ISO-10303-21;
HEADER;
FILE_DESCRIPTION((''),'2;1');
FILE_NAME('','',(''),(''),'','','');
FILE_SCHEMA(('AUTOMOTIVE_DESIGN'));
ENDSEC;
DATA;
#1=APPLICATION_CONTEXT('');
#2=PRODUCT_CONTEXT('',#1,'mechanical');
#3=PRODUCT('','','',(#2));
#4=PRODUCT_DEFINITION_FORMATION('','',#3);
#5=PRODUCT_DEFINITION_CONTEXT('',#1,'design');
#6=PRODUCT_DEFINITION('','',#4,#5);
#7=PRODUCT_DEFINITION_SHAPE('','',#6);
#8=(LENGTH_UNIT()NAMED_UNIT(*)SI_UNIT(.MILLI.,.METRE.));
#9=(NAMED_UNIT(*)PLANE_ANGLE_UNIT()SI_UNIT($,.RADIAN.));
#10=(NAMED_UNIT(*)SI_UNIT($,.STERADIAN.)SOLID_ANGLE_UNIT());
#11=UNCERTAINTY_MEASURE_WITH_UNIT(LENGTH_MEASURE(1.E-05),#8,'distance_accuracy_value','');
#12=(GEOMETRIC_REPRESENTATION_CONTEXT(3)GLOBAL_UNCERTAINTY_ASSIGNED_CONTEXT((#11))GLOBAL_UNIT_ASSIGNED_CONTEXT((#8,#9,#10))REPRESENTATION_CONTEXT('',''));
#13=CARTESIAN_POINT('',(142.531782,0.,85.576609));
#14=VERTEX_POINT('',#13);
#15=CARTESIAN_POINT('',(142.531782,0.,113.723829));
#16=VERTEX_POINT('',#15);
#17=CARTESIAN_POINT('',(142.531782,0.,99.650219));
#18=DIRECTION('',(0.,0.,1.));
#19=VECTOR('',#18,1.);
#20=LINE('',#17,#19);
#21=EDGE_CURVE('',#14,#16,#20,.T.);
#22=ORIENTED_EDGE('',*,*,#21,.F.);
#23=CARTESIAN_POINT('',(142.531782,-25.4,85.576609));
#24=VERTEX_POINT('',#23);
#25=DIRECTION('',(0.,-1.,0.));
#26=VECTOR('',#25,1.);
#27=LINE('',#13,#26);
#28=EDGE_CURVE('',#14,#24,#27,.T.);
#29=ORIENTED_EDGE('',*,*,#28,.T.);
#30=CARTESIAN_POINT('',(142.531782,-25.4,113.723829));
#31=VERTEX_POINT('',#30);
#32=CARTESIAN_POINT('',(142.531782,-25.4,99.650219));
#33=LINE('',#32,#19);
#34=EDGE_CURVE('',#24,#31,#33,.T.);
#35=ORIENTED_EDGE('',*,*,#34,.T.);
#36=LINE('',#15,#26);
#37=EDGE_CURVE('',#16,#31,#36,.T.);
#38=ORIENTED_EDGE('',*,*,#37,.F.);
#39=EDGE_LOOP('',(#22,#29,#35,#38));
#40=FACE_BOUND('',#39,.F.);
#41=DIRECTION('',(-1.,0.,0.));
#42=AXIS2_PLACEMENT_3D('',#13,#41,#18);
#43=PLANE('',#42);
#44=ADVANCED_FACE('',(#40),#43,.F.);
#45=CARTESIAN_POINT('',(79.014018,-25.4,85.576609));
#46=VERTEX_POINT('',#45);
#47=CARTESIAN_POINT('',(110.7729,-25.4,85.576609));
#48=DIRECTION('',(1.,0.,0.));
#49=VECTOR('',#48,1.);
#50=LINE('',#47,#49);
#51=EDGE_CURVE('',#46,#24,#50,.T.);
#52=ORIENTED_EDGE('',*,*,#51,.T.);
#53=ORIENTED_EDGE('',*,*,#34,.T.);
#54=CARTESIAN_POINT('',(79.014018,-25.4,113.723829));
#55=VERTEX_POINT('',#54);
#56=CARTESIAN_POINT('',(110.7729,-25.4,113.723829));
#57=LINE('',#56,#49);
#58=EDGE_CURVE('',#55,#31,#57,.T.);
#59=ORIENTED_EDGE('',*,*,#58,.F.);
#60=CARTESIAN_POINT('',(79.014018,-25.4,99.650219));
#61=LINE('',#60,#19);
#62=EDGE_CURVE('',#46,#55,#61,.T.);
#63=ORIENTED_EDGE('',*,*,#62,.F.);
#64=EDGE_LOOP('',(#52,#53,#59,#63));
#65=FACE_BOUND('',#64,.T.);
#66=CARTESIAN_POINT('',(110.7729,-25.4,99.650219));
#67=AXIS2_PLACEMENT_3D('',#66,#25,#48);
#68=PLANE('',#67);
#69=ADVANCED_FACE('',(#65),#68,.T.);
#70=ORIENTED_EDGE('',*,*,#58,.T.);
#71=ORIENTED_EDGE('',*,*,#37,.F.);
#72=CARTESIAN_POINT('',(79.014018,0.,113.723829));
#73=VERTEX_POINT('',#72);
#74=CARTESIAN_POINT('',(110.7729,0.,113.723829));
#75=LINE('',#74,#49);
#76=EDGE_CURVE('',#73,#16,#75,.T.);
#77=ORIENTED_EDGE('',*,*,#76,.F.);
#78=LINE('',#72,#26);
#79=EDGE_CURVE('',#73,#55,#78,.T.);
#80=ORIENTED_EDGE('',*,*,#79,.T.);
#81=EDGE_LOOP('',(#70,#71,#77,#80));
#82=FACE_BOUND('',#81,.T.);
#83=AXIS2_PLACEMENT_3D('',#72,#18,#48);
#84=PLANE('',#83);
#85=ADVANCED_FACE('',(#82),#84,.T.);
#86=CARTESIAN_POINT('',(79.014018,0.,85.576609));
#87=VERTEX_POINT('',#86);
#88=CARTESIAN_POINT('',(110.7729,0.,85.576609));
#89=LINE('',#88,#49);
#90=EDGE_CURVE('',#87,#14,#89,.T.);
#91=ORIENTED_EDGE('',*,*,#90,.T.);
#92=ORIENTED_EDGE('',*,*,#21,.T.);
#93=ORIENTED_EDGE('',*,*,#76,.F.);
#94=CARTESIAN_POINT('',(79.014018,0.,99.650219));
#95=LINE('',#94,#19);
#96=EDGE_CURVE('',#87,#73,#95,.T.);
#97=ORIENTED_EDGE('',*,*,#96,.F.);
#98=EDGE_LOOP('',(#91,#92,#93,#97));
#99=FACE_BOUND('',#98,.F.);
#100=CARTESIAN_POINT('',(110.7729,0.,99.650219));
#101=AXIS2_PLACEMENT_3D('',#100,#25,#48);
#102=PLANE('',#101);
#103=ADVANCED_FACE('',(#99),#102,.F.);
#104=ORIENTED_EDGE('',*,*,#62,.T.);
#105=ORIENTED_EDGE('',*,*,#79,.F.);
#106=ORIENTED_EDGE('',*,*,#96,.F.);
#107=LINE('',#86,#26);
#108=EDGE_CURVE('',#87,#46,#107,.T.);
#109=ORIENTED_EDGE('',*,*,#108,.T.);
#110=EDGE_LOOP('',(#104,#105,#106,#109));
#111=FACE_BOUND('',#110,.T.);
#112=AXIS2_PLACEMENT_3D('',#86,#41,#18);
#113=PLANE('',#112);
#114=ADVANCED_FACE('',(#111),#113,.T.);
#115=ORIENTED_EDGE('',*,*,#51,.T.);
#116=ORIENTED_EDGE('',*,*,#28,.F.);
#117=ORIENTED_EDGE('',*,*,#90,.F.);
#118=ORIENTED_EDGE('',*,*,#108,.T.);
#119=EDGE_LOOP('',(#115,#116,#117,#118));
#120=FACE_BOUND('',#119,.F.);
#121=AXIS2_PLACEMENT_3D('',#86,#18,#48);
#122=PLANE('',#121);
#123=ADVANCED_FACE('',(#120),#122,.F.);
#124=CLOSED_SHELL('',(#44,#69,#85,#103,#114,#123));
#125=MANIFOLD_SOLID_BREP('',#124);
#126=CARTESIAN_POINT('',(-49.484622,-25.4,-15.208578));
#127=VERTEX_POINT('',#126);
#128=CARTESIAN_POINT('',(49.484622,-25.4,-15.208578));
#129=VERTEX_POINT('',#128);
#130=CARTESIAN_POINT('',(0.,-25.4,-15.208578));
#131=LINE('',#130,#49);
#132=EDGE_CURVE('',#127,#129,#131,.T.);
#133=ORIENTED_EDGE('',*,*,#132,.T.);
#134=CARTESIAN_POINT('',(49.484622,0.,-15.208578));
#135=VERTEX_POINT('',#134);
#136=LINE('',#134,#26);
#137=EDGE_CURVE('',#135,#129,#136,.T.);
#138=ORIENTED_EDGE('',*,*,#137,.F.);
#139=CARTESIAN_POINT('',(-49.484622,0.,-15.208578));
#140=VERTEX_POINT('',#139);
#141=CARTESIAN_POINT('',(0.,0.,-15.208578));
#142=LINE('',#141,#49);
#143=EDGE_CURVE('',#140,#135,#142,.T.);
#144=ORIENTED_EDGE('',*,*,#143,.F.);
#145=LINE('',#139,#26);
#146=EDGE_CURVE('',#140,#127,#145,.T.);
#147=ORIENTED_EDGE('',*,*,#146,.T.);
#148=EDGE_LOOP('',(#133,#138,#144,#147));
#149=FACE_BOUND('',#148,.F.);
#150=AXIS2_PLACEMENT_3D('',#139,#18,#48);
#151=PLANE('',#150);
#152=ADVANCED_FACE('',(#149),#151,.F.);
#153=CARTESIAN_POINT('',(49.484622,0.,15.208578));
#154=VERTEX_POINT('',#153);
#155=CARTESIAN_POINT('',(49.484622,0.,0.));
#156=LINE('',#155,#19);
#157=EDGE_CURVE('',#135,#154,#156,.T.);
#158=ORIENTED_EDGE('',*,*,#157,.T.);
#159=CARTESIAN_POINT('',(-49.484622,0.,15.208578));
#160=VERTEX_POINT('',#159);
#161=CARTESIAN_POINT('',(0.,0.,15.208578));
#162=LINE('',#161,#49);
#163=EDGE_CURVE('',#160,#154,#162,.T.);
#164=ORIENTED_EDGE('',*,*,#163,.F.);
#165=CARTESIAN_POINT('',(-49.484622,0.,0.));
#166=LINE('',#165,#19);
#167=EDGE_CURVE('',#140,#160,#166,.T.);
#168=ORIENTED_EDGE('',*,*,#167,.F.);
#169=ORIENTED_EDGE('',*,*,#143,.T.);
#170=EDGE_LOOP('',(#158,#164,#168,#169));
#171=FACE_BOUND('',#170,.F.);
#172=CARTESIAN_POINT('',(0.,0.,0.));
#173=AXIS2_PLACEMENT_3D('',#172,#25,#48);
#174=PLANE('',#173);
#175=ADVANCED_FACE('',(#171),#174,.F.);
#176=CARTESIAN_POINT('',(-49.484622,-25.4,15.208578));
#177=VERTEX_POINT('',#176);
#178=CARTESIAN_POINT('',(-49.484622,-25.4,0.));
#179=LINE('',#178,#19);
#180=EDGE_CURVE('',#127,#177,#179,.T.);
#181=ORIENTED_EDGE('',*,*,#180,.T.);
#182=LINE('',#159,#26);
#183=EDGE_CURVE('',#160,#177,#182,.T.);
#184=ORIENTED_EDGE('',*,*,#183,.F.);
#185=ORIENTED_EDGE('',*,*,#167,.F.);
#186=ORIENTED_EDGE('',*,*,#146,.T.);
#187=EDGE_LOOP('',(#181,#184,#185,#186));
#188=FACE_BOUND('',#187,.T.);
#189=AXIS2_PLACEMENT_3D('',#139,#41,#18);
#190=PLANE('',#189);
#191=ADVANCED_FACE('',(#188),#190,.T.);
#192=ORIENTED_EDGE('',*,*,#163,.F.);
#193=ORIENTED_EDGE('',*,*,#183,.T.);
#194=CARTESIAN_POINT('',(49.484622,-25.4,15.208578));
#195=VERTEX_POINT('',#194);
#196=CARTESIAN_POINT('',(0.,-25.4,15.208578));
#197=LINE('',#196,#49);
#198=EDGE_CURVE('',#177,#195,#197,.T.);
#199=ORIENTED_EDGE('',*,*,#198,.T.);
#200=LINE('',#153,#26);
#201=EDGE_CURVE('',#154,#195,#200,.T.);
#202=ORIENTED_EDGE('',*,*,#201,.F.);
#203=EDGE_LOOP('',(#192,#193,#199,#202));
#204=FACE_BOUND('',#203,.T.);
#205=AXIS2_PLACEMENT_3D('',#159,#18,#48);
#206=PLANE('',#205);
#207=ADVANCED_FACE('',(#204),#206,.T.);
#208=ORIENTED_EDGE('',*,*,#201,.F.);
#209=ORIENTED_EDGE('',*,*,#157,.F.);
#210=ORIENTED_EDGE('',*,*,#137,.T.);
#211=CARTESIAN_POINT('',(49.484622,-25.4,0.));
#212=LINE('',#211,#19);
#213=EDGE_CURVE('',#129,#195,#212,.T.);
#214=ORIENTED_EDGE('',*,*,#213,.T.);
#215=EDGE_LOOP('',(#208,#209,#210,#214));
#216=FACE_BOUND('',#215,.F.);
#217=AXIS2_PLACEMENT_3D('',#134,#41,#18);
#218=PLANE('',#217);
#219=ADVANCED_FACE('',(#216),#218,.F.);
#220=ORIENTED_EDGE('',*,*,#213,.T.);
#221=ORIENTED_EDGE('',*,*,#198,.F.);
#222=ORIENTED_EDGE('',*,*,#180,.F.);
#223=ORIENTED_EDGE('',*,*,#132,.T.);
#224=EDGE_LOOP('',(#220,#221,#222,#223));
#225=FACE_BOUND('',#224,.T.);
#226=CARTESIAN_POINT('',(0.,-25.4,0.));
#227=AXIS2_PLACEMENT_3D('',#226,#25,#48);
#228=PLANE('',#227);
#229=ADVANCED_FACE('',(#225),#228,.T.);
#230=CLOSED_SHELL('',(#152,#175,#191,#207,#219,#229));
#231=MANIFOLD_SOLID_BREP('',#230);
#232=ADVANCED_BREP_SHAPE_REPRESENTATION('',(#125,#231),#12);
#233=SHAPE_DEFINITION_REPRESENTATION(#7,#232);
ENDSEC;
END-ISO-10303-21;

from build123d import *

# Parameters (mm, degrees)
F0_W     = 98.969244
F0_H     = 30.417156
F0_W_2   = 63.517764
F0_H_2   = 28.14722
F1_DEPTH = 25.4


with BuildPart() as f1:
    # F0 (on Front) → F1 (new body)
    with BuildSketch(Plane.XZ):
        Rectangle(F0_W, F0_H)
        with Locations((110.7729, 99.650219)):
            Rectangle(F0_W_2, F0_H_2)
    extrude(amount=F1_DEPTH)


solid = f1.part
